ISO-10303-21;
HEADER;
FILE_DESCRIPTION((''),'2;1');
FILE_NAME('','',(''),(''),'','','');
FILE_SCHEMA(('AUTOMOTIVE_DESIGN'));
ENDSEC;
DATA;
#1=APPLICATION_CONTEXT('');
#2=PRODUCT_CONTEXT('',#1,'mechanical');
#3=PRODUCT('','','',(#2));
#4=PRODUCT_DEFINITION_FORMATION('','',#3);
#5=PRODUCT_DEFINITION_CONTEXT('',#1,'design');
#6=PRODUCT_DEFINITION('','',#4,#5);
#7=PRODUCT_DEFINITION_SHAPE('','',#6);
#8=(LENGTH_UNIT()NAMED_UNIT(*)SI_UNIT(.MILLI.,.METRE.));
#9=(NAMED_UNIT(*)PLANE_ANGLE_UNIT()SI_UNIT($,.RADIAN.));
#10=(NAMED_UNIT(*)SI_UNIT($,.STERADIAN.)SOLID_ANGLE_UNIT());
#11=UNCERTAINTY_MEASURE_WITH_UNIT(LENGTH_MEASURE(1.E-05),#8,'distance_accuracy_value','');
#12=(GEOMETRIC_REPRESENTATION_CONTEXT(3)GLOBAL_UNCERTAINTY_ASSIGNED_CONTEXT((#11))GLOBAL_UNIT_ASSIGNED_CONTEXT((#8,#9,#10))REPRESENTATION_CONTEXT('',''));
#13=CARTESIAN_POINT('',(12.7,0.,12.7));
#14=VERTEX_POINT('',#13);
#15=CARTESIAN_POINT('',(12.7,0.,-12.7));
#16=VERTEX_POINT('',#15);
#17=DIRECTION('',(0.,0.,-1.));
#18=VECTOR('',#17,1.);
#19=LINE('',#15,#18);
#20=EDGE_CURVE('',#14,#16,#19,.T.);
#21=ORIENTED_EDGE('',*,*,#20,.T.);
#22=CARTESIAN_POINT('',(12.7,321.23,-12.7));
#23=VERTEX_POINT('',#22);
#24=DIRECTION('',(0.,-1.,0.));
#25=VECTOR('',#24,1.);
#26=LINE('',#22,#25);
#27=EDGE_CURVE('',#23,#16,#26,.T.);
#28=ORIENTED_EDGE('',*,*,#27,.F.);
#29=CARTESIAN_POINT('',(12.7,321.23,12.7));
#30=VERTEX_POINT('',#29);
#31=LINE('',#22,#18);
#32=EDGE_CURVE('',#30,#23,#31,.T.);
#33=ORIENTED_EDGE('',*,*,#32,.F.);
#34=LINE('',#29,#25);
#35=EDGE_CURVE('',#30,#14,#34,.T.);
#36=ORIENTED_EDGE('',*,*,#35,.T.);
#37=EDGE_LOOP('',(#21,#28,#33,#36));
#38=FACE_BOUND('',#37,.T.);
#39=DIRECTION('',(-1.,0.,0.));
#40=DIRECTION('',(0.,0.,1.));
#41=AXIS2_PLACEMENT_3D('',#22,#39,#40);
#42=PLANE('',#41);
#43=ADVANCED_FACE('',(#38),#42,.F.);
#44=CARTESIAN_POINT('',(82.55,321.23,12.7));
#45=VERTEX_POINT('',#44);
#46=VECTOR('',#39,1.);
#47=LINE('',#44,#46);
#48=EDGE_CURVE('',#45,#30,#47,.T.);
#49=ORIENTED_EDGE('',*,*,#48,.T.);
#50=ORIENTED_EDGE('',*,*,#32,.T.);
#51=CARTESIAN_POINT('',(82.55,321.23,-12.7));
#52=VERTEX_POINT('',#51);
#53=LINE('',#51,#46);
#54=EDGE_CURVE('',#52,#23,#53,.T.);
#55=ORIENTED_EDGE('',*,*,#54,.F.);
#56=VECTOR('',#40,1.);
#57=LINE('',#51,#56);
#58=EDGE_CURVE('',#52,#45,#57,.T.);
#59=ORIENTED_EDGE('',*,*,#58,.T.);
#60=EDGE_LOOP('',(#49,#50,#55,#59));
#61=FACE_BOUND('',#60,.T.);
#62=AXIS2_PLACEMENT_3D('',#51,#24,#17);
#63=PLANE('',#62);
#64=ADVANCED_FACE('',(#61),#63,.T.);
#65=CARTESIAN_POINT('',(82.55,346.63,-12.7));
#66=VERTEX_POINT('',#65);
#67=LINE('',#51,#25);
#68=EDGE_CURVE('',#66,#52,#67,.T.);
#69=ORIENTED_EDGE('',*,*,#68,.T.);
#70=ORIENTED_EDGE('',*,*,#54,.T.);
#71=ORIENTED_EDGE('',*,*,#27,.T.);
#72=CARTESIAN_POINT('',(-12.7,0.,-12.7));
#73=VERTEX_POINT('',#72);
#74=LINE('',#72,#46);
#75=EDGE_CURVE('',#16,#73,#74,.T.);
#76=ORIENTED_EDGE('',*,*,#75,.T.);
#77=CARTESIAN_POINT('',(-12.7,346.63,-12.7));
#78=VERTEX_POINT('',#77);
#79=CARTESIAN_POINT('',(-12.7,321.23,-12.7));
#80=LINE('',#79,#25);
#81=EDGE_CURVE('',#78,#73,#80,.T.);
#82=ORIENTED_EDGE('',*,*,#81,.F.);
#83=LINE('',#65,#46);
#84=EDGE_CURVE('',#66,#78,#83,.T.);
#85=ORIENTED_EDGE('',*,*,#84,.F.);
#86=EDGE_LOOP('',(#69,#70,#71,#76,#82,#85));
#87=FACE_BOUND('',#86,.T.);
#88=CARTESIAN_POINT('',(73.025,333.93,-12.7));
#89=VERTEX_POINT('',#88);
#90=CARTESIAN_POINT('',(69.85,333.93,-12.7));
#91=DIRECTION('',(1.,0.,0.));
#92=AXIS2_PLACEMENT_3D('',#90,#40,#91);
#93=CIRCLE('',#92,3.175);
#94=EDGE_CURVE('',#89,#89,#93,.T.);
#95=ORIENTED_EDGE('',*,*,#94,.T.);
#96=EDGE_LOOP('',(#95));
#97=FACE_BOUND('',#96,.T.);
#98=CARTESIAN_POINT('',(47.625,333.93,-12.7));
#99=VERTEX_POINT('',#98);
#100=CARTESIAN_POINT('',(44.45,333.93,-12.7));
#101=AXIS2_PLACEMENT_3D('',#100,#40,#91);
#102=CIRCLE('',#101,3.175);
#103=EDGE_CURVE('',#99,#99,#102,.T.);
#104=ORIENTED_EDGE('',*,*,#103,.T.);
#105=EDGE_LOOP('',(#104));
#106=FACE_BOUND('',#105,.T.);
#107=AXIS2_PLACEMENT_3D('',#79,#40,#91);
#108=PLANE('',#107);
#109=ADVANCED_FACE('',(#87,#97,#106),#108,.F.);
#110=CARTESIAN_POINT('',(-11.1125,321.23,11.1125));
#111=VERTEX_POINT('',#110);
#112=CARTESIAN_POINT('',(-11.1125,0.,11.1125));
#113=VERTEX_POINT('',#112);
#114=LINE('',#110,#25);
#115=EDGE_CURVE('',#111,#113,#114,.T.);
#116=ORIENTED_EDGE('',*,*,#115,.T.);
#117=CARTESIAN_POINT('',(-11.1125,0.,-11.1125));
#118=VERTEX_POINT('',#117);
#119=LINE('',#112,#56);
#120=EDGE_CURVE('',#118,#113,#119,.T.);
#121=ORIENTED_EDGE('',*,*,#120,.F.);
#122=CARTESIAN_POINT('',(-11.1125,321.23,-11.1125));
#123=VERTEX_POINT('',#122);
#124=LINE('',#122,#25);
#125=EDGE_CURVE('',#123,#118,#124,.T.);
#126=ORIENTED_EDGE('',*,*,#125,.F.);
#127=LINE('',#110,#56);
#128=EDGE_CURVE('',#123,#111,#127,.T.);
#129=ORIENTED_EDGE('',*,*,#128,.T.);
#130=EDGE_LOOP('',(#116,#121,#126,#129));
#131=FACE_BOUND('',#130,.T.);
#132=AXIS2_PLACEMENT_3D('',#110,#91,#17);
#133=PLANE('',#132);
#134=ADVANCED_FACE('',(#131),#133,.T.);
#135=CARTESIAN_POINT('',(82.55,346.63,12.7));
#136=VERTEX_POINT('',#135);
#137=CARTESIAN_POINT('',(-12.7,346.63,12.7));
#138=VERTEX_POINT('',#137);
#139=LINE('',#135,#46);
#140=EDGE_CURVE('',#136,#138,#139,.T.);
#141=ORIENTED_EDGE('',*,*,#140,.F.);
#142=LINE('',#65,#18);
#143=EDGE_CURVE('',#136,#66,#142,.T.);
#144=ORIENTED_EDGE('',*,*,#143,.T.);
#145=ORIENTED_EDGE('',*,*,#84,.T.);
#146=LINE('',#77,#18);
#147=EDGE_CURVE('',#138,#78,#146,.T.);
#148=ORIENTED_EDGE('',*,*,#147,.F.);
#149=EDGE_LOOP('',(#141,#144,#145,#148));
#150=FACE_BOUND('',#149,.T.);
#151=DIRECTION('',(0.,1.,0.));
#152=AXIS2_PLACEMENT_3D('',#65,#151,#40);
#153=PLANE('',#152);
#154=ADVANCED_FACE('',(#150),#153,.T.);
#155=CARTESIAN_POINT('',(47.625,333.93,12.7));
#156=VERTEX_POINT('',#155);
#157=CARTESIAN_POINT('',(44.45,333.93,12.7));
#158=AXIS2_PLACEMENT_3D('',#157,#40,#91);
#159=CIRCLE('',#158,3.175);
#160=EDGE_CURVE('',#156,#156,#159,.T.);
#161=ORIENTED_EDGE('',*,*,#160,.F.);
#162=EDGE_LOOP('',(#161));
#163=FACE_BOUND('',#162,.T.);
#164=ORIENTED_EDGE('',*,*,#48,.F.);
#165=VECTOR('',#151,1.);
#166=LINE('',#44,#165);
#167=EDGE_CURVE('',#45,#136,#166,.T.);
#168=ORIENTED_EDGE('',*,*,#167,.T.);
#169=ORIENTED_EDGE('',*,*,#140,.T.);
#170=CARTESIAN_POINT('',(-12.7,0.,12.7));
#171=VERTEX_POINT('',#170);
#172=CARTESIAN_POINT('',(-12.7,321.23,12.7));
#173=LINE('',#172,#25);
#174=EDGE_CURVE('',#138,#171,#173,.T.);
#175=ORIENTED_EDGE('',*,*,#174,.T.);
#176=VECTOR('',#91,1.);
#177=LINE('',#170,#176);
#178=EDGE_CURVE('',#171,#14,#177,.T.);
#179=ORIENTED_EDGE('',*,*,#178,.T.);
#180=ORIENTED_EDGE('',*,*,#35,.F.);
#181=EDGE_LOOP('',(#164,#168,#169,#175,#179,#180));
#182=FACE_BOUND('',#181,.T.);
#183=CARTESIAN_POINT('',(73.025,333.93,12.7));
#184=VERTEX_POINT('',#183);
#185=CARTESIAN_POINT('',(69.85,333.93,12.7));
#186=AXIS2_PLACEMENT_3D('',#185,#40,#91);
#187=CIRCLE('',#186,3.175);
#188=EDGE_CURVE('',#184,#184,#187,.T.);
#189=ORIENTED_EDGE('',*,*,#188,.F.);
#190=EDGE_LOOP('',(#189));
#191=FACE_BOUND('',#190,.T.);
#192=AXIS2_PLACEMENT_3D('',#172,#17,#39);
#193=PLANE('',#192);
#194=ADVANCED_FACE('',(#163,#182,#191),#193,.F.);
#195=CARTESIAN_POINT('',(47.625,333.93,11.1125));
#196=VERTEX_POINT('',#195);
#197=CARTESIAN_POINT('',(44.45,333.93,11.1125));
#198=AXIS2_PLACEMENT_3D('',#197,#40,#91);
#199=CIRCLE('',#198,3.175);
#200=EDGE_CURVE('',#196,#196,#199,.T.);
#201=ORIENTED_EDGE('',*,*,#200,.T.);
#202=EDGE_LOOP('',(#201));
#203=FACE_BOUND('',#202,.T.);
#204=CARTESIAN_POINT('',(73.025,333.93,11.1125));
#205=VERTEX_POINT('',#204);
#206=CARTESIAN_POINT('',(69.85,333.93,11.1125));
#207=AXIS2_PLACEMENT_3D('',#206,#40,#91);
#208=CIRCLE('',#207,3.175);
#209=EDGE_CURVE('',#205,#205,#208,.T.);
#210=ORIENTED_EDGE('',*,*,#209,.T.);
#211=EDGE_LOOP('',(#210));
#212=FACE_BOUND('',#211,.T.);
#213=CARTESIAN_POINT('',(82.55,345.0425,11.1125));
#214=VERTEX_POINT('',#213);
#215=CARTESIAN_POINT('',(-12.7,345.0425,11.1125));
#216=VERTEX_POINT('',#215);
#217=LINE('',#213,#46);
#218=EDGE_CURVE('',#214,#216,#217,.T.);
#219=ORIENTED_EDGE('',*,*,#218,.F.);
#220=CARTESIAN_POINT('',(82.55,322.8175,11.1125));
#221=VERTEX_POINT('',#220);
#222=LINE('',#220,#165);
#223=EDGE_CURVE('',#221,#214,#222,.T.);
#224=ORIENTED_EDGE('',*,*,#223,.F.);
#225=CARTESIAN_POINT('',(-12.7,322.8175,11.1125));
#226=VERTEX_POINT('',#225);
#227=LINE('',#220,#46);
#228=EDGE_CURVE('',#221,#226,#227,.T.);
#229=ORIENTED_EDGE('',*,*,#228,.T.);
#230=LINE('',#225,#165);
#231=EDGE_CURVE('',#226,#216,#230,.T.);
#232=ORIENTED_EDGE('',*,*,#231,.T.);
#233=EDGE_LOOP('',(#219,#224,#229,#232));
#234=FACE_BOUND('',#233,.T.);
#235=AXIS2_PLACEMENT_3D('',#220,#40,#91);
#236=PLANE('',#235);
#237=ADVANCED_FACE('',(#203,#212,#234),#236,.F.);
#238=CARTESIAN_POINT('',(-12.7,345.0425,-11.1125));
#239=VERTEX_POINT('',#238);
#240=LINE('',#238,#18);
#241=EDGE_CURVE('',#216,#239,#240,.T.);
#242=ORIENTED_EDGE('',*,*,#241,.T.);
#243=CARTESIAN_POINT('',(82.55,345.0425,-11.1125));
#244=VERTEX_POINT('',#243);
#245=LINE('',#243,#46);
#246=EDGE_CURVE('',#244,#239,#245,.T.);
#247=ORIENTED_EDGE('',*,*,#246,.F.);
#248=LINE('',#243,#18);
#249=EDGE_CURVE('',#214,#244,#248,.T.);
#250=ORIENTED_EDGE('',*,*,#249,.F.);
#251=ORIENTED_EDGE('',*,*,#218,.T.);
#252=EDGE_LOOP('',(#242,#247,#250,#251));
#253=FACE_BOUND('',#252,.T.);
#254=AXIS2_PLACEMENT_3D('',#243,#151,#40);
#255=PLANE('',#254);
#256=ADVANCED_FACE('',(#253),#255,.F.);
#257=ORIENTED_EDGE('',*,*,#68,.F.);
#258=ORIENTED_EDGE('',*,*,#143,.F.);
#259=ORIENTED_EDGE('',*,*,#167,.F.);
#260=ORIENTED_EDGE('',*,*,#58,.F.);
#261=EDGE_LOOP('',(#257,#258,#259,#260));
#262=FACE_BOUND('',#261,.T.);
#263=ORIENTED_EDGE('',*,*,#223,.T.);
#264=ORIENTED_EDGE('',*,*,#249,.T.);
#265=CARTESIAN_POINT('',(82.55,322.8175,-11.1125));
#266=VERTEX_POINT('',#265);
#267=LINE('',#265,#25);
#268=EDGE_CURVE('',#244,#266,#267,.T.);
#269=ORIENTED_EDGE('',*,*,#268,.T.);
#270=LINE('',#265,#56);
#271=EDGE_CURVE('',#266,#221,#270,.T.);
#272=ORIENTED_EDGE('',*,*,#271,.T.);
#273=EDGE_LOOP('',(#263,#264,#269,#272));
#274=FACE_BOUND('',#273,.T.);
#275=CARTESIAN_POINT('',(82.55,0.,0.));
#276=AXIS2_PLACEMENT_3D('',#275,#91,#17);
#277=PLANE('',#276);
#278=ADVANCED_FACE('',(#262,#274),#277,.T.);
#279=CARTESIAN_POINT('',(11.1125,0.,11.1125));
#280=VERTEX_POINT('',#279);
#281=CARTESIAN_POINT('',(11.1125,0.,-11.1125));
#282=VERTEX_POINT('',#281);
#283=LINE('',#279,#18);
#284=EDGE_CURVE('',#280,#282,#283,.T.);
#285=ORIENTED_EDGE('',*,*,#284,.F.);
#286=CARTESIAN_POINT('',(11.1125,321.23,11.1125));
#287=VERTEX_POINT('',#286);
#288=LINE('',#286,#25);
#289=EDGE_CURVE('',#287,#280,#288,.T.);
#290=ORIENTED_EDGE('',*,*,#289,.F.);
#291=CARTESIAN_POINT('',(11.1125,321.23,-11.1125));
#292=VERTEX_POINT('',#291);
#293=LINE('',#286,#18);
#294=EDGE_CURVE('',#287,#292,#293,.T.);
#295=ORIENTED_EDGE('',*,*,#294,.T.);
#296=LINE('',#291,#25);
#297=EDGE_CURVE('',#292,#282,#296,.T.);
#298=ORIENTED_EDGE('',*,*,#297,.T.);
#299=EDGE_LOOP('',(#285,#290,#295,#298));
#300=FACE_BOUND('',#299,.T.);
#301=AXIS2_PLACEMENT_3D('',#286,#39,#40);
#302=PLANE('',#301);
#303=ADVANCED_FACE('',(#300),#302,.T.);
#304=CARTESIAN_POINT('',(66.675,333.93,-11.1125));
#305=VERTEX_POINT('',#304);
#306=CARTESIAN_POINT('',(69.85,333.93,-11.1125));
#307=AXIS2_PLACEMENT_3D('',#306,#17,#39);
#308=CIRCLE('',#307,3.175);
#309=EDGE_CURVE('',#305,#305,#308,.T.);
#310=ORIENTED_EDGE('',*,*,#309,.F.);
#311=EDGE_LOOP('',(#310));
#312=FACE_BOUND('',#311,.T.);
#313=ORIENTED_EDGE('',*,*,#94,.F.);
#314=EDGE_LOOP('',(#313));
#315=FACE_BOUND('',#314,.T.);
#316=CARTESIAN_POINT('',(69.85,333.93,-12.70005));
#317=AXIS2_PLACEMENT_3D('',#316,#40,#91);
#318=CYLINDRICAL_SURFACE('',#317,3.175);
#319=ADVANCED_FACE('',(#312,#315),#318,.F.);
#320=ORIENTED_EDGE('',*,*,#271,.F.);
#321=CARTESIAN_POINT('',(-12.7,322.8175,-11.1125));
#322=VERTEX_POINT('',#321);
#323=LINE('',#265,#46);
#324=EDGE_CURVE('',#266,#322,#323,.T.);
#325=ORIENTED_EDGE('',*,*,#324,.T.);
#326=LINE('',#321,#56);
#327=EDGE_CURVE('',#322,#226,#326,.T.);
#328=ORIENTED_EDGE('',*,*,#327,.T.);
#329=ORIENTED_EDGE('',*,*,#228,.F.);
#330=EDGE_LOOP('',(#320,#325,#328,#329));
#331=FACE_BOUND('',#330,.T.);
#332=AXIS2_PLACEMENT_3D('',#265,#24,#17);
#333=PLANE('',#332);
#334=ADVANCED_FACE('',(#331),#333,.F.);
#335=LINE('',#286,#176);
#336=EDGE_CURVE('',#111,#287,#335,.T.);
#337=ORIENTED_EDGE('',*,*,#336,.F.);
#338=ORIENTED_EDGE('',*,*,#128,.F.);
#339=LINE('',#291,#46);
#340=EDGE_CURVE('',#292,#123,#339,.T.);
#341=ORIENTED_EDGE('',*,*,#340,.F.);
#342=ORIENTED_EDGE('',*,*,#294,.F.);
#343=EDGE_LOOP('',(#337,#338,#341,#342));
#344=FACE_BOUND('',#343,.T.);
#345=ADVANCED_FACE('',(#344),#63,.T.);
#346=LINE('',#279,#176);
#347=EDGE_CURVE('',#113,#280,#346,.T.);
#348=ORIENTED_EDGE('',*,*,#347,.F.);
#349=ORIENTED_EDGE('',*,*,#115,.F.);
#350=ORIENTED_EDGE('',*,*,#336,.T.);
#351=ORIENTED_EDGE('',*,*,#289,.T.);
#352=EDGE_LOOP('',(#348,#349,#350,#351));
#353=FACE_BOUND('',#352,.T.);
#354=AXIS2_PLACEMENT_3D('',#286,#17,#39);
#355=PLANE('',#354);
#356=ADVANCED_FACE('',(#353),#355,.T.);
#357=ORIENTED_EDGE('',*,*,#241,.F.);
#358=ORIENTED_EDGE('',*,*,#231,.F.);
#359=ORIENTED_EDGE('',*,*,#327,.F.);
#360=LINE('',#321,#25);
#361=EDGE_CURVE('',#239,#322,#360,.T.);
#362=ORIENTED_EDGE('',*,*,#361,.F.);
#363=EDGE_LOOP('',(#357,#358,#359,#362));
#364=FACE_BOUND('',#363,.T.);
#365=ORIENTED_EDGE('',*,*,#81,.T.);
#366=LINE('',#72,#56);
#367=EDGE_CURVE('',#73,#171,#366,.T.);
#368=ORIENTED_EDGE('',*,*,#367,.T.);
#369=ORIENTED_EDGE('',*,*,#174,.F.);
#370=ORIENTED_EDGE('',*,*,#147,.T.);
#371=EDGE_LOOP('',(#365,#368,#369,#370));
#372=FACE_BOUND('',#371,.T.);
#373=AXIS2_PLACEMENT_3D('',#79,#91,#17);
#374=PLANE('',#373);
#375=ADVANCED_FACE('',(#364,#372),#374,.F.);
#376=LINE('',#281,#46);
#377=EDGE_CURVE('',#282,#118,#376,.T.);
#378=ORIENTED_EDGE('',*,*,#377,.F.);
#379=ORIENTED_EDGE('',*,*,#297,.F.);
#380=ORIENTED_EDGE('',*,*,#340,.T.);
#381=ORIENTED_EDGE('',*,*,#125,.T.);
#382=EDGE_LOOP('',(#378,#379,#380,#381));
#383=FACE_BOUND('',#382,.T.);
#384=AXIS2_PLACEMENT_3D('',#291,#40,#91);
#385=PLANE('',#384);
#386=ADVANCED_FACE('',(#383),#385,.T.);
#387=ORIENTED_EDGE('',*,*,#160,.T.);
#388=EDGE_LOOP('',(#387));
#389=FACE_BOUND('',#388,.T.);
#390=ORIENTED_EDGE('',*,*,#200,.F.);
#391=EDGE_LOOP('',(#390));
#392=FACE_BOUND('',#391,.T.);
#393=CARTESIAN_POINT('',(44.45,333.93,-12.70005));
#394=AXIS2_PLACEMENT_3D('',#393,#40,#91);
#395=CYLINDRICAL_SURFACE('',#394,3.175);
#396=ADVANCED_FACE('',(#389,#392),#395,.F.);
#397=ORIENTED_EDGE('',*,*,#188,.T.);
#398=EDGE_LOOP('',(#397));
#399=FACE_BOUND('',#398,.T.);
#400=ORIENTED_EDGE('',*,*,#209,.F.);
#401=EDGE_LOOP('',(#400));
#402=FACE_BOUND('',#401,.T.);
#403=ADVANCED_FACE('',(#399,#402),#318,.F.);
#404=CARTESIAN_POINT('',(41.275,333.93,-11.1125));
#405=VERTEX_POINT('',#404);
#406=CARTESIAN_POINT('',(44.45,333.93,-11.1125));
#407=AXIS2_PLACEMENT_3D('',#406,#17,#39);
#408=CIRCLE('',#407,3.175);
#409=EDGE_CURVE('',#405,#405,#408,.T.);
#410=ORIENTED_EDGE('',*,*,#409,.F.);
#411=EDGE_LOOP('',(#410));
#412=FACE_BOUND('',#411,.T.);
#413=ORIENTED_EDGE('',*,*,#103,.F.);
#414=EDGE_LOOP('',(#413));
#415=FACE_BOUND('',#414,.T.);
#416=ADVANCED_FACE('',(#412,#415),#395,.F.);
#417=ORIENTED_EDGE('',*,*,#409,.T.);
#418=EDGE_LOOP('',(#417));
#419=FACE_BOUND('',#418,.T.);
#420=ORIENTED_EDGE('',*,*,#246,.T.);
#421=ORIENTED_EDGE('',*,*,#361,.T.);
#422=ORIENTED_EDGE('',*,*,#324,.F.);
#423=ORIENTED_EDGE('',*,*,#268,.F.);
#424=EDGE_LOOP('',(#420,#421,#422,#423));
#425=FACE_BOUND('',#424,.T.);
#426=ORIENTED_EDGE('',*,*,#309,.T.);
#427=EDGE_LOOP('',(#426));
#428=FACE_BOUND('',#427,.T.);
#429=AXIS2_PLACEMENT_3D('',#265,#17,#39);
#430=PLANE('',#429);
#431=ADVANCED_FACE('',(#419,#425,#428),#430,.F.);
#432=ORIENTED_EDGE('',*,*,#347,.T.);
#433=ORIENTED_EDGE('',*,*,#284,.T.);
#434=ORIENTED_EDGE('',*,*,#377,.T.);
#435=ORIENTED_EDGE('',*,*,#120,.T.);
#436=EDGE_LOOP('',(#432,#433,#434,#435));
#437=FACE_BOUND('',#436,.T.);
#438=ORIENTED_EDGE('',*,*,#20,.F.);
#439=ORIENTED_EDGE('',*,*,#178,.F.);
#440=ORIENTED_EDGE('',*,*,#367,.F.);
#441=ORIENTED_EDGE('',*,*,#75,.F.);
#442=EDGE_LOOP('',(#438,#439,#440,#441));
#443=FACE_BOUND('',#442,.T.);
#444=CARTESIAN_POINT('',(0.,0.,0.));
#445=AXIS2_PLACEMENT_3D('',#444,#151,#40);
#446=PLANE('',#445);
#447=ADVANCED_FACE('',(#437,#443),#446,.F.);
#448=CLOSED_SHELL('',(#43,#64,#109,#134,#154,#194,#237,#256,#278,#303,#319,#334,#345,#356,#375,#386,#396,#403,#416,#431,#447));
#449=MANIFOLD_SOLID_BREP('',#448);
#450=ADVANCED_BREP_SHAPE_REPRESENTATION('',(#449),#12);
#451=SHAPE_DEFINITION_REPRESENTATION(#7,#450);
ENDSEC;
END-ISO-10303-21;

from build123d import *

# Parameters (mm, degrees)
SKETCH1_W           = 25.4
SKETCH1_H           = 25.4
SKETCH1_W_2         = 22.225
SKETCH1_H_2         = 22.225
BOSS_EXTRUDE1_DEPTH = 321.23
SKETCH2_W           = 25.4
SKETCH2_H           = 25.4
SKETCH2_W_2         = 22.225
SKETCH2_H_2         = 22.225
BOSS_EXTRUDE2_DEPTH = 95.25
SKETCH3_R           = 3.175
CUT_EXTRUDE1_DEPTH  = 358.228245524


with BuildPart() as part:
    # Sketch1 → Boss-Extrude1 (new body)
    with BuildSketch(Plane(origin=(0, 0, 0), x_dir=(1, 0, 0), z_dir=(0, 1, 0))):
        Rectangle(SKETCH1_W, SKETCH1_H)
        Rectangle(SKETCH1_W_2, SKETCH1_H_2, mode=Mode.SUBTRACT)
    extrude(amount=BOSS_EXTRUDE1_DEPTH)

    # Sketch2 → Boss-Extrude2 (add)
    with BuildSketch(Plane.ZY.offset(12.7)):
        with Locations((0, 333.93)):
            Rectangle(SKETCH2_W, SKETCH2_H)
        with Locations((0, 333.93)):
            Rectangle(SKETCH2_W_2, SKETCH2_H_2, mode=Mode.SUBTRACT)
    extrude(amount=-BOSS_EXTRUDE2_DEPTH)

    # Sketch3 → Cut-Extrude1 (cut, through all)
    with BuildSketch(Plane.XY.offset(12.7)):
        with Locations((44.45, 333.93)):
            Circle(SKETCH3_R)
        with Locations((69.85, 333.93)):
            Circle(SKETCH3_R)
    extrude(amount=-CUT_EXTRUDE1_DEPTH, mode=Mode.SUBTRACT)


solid = part.part
